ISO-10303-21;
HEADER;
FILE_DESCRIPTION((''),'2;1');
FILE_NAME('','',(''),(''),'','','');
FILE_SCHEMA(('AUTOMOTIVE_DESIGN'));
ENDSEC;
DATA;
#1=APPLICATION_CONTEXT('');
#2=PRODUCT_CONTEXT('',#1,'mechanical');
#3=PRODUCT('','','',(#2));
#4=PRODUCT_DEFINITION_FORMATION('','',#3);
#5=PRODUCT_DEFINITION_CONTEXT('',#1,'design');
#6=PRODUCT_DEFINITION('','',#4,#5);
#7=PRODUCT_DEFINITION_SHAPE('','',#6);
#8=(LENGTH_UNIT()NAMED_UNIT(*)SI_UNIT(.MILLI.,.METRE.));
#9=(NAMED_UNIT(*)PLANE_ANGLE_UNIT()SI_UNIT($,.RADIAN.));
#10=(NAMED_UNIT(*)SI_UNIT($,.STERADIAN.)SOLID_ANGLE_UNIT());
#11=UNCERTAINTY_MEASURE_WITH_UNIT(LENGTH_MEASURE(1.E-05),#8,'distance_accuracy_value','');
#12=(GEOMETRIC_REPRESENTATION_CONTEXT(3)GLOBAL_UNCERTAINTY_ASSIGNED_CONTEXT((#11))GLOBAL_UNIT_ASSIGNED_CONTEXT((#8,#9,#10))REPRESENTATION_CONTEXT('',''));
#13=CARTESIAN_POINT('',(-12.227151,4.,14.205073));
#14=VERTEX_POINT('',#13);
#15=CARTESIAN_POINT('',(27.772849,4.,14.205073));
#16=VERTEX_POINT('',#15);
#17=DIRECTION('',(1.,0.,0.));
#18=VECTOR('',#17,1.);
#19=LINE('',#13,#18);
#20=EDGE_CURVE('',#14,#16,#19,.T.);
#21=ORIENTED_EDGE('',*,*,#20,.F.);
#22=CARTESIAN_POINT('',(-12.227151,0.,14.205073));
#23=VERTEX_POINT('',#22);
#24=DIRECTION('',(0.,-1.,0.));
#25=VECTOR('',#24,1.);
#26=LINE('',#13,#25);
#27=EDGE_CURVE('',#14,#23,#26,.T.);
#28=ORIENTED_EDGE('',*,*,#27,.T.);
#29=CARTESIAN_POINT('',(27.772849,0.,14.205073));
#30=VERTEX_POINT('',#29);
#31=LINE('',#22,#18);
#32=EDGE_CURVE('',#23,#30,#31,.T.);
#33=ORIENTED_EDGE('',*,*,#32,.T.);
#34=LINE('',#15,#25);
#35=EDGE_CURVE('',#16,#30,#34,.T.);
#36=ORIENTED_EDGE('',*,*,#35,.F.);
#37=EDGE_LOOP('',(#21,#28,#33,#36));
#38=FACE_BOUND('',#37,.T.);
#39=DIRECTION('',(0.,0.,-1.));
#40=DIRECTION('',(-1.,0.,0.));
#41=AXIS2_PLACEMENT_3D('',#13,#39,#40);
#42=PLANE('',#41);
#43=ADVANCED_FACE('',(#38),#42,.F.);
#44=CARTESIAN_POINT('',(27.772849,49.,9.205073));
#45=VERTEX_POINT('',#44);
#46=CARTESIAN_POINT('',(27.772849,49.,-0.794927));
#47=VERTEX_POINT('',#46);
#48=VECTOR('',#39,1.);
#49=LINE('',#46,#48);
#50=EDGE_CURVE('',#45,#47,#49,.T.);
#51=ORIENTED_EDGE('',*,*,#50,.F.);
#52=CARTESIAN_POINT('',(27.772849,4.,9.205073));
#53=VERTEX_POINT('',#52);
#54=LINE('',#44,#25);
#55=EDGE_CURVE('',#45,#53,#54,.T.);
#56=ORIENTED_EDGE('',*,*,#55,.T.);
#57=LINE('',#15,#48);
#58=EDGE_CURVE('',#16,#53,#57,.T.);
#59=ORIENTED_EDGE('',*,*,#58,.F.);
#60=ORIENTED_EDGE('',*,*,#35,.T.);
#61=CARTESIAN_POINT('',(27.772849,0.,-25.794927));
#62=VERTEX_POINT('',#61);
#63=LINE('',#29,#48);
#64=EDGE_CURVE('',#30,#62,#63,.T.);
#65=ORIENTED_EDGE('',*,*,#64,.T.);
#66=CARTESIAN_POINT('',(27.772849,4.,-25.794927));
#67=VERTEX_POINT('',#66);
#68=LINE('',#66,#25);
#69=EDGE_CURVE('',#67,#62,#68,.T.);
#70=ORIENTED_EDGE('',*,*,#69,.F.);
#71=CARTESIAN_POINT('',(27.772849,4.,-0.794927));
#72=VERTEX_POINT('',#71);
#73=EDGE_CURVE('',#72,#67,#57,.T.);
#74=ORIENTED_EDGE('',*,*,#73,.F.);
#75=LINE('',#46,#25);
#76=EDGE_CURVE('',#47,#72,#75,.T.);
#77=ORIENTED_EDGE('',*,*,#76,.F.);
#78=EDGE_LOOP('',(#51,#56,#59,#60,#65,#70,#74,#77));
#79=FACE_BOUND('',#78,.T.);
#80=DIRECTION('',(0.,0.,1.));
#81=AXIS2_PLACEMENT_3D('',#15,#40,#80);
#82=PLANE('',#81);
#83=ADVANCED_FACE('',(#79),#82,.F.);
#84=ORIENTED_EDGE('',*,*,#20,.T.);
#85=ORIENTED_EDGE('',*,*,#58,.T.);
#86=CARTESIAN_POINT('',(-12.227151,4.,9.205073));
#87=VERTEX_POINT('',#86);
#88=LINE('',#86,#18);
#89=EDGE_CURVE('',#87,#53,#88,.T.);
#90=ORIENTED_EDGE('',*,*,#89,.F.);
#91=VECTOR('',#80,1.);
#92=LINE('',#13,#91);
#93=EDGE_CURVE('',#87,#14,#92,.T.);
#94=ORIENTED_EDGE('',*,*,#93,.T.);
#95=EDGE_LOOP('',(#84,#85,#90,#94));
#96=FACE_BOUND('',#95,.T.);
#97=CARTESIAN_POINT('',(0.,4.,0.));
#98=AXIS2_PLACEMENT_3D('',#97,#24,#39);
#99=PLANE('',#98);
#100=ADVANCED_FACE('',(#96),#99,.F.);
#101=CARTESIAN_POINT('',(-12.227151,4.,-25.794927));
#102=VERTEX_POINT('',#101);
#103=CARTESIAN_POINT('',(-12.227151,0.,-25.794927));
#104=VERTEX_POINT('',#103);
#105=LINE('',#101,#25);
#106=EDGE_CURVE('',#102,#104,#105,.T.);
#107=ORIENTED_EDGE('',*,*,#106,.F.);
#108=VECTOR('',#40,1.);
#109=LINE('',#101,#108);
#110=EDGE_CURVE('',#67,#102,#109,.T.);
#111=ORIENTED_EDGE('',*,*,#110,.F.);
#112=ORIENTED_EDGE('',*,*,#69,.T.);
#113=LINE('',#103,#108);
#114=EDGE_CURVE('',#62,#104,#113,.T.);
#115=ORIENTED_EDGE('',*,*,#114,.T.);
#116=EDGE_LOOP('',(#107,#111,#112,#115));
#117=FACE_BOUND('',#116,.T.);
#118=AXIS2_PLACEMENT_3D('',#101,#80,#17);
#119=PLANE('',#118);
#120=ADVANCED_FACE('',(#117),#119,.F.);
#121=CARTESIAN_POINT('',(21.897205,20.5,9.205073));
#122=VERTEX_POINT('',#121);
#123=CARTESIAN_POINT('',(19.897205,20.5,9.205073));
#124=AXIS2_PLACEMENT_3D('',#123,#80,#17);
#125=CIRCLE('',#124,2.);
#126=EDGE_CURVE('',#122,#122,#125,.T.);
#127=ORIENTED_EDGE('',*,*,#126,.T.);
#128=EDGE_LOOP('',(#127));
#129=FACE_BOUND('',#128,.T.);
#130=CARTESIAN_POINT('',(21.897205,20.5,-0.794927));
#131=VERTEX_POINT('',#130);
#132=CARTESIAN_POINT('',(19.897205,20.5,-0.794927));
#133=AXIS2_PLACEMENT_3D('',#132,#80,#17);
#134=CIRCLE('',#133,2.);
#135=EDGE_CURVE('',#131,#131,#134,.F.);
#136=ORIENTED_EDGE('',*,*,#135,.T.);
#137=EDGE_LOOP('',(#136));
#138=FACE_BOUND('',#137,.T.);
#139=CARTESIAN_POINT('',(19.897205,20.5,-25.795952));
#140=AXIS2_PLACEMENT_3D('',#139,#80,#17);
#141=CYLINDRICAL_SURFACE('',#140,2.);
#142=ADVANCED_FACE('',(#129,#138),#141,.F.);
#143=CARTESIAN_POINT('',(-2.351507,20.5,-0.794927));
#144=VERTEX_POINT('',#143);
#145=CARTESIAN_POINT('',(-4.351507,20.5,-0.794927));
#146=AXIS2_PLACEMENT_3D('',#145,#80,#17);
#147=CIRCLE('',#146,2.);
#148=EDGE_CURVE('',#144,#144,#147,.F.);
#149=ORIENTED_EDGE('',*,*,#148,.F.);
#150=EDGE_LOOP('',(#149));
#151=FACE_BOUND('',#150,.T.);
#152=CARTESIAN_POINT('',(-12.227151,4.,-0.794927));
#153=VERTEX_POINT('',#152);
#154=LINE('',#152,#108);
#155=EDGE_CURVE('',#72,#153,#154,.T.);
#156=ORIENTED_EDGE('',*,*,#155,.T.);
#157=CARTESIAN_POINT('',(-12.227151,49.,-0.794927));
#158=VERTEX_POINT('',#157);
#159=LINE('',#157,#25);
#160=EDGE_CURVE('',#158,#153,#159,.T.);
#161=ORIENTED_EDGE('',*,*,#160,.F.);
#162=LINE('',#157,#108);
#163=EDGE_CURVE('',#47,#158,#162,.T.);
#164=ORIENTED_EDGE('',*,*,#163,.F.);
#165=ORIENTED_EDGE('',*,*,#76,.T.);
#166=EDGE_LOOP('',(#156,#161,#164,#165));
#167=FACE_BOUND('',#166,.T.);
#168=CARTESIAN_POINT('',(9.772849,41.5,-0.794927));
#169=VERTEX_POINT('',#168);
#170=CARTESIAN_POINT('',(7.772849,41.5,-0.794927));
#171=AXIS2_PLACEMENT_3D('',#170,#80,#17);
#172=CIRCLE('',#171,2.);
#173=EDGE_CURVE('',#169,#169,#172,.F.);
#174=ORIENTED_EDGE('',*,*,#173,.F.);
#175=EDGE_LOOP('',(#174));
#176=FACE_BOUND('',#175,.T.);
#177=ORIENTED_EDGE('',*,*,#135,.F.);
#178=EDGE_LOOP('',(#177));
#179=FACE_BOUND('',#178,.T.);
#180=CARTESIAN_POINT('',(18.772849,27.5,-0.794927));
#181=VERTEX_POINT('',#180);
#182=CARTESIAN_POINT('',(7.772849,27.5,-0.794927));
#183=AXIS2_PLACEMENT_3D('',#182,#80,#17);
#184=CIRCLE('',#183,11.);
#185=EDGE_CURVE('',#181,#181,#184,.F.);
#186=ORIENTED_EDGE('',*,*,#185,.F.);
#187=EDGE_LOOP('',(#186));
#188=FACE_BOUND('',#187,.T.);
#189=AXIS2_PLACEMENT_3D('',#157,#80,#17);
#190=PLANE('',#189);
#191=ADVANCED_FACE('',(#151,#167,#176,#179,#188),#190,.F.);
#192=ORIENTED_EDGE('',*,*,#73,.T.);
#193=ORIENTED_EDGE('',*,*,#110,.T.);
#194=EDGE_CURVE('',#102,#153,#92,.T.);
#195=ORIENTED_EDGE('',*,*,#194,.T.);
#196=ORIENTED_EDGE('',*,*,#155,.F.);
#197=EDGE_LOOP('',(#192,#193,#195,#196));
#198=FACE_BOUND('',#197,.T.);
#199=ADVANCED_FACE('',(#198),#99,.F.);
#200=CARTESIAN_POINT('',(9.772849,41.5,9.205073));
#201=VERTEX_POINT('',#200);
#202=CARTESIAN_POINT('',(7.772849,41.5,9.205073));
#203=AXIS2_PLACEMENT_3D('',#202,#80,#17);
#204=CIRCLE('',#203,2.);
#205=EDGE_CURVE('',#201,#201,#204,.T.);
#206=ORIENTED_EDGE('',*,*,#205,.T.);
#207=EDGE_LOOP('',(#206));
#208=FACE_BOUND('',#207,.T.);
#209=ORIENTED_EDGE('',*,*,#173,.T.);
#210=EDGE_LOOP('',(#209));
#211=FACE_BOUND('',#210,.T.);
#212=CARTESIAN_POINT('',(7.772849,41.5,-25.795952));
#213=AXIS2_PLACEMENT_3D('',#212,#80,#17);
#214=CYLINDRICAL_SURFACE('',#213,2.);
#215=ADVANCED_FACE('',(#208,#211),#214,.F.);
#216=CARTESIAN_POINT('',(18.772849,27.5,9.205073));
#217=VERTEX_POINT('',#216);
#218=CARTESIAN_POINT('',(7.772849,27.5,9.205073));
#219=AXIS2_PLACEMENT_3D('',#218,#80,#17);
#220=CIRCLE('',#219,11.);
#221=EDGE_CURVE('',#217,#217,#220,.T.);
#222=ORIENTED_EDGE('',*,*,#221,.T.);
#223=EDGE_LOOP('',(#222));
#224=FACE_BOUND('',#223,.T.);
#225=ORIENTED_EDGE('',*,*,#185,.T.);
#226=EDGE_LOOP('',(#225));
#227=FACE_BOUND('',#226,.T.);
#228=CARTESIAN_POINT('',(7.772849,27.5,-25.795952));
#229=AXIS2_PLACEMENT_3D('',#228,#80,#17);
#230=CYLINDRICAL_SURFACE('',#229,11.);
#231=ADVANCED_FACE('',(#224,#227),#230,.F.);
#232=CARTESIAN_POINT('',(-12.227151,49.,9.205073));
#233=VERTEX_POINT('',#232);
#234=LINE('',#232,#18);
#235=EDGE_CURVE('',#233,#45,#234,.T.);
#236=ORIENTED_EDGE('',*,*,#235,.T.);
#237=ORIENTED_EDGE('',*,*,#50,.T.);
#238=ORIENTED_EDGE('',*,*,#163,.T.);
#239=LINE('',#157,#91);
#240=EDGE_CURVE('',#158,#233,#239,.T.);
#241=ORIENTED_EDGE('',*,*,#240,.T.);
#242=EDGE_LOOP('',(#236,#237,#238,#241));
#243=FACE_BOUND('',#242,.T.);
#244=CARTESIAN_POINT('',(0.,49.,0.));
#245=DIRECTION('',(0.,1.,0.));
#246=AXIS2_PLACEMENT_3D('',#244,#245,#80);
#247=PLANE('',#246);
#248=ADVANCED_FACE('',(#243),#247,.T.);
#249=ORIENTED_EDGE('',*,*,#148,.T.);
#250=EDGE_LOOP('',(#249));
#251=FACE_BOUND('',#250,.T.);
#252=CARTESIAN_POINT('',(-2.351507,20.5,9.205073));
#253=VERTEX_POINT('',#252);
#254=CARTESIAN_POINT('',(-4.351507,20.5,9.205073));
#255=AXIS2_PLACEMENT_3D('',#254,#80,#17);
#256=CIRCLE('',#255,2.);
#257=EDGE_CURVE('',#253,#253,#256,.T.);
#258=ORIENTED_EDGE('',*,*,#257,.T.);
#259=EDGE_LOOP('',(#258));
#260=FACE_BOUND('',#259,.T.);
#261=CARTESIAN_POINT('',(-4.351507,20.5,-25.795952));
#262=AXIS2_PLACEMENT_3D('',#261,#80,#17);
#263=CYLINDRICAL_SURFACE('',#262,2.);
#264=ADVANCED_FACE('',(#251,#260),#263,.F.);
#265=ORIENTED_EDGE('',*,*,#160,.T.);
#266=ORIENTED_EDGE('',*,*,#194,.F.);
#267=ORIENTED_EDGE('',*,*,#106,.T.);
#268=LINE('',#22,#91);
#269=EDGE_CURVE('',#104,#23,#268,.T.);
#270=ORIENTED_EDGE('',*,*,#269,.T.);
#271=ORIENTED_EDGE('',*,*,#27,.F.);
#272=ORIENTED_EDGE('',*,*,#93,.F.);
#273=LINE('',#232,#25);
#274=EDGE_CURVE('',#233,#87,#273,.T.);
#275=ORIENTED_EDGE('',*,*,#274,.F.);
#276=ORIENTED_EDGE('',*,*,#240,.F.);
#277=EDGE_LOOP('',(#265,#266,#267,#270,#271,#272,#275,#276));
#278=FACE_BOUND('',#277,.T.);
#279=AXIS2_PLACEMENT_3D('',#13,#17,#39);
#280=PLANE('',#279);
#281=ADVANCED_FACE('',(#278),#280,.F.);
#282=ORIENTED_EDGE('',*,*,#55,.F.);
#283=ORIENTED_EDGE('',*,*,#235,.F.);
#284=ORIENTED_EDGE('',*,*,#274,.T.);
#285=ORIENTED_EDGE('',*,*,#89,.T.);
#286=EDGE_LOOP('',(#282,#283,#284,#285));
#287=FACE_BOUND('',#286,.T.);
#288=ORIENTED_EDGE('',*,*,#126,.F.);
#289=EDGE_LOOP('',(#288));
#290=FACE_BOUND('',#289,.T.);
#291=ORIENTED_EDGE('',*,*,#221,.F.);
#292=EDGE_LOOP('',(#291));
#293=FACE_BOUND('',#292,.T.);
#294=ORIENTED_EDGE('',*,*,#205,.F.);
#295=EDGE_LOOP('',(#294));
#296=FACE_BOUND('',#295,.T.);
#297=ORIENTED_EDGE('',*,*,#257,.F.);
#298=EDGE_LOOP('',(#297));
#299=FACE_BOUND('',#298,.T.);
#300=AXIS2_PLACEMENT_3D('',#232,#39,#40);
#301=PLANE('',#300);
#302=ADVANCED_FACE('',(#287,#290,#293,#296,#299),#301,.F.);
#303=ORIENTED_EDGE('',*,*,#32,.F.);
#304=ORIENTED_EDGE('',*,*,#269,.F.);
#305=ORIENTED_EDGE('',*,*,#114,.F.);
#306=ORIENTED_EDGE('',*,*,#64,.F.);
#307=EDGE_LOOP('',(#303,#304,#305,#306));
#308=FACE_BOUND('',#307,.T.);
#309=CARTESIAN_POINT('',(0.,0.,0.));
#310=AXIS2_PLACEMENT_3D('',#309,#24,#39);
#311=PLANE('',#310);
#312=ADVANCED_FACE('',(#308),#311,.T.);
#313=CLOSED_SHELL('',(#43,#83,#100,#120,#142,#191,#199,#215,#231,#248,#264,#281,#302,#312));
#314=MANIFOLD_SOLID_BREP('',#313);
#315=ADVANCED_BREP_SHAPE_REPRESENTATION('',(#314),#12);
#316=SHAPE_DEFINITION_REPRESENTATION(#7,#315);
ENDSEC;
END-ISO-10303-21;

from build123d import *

# Parameters (mm, degrees)
SKETCH2_W           = 40
SKETCH2_H           = 40
BOSS_EXTRUDE1_DEPTH = 4
SKETCH3_W           = 40
SKETCH3_H           = 10
BOSS_EXTRUDE2_DEPTH = 45
CUT_EXTRUDE1_REACH  = 68.312
SKETCH4_R           = 11
SKETCH4_R_2         = 2


with BuildPart() as part:
    # Sketch2 → Boss-Extrude1 (new body)
    with BuildSketch(Plane(origin=(0, 0, 0), x_dir=(1, 0, 0), z_dir=(0, 1, 0))):
        with Locations((7.772848934, 5.794927438)):
            Rectangle(SKETCH2_W, SKETCH2_H)
    extrude(amount=BOSS_EXTRUDE1_DEPTH)

    # Sketch3 → Boss-Extrude2 (add)
    with BuildSketch(Plane(origin=(0, 4, 0), x_dir=(1, 0, 0), z_dir=(0, 1, 0))):
        with Locations((7.772848934, -4.205072562)):
            Rectangle(SKETCH3_W, SKETCH3_H)
    extrude(amount=BOSS_EXTRUDE2_DEPTH)

    # Sketch4 → Cut-Extrude1 (cut, up to next)
    with BuildSketch(Plane.XY.offset(9.205072562), mode=Mode.PRIVATE) as cut_extrude1_sk1:
        with Locations((7.772848934, 27.5)):
            Circle(SKETCH4_R)
    cut_extrude1_tool1 = extrude(cut_extrude1_sk1.sketch, amount=-CUT_EXTRUDE1_REACH, mode=Mode.PRIVATE) & part.part
    # Sketch4 → Cut-Extrude1 (cut, up to next)
    with BuildSketch(Plane.XY.offset(9.205072562), mode=Mode.PRIVATE) as cut_extrude1_sk2:
        with Locations((19.897204587, 20.5)):
            Circle(SKETCH4_R_2)
    cut_extrude1_tool2 = extrude(cut_extrude1_sk2.sketch, amount=-CUT_EXTRUDE1_REACH, mode=Mode.PRIVATE) & part.part
    # Sketch4 → Cut-Extrude1 (cut, up to next)
    with BuildSketch(Plane.XY.offset(9.205072562), mode=Mode.PRIVATE) as cut_extrude1_sk3:
        with Locations((-4.351506719, 20.5)):
            Circle(SKETCH4_R_2)
    cut_extrude1_tool3 = extrude(cut_extrude1_sk3.sketch, amount=-CUT_EXTRUDE1_REACH, mode=Mode.PRIVATE) & part.part
    # Sketch4 → Cut-Extrude1 (cut, up to next)
    with BuildSketch(Plane.XY.offset(9.205072562), mode=Mode.PRIVATE) as cut_extrude1_sk4:
        with Locations((7.772848934, 41.5)):
            Circle(SKETCH4_R_2)
    cut_extrude1_tool4 = extrude(cut_extrude1_sk4.sketch, amount=-CUT_EXTRUDE1_REACH, mode=Mode.PRIVATE) & part.part
    add(cut_extrude1_tool1.solids().sort_by_distance((7.772849, 27.5, 9.205073))[0], mode=Mode.SUBTRACT)
    add(cut_extrude1_tool2.solids().sort_by_distance((19.897205, 20.5, 9.205073))[0], mode=Mode.SUBTRACT)
    add(cut_extrude1_tool3.solids().sort_by_distance((-4.351507, 20.5, 9.205073))[0], mode=Mode.SUBTRACT)
    add(cut_extrude1_tool4.solids().sort_by_distance((7.772849, 41.5, 9.205073))[0], mode=Mode.SUBTRACT)


solid = part.part
